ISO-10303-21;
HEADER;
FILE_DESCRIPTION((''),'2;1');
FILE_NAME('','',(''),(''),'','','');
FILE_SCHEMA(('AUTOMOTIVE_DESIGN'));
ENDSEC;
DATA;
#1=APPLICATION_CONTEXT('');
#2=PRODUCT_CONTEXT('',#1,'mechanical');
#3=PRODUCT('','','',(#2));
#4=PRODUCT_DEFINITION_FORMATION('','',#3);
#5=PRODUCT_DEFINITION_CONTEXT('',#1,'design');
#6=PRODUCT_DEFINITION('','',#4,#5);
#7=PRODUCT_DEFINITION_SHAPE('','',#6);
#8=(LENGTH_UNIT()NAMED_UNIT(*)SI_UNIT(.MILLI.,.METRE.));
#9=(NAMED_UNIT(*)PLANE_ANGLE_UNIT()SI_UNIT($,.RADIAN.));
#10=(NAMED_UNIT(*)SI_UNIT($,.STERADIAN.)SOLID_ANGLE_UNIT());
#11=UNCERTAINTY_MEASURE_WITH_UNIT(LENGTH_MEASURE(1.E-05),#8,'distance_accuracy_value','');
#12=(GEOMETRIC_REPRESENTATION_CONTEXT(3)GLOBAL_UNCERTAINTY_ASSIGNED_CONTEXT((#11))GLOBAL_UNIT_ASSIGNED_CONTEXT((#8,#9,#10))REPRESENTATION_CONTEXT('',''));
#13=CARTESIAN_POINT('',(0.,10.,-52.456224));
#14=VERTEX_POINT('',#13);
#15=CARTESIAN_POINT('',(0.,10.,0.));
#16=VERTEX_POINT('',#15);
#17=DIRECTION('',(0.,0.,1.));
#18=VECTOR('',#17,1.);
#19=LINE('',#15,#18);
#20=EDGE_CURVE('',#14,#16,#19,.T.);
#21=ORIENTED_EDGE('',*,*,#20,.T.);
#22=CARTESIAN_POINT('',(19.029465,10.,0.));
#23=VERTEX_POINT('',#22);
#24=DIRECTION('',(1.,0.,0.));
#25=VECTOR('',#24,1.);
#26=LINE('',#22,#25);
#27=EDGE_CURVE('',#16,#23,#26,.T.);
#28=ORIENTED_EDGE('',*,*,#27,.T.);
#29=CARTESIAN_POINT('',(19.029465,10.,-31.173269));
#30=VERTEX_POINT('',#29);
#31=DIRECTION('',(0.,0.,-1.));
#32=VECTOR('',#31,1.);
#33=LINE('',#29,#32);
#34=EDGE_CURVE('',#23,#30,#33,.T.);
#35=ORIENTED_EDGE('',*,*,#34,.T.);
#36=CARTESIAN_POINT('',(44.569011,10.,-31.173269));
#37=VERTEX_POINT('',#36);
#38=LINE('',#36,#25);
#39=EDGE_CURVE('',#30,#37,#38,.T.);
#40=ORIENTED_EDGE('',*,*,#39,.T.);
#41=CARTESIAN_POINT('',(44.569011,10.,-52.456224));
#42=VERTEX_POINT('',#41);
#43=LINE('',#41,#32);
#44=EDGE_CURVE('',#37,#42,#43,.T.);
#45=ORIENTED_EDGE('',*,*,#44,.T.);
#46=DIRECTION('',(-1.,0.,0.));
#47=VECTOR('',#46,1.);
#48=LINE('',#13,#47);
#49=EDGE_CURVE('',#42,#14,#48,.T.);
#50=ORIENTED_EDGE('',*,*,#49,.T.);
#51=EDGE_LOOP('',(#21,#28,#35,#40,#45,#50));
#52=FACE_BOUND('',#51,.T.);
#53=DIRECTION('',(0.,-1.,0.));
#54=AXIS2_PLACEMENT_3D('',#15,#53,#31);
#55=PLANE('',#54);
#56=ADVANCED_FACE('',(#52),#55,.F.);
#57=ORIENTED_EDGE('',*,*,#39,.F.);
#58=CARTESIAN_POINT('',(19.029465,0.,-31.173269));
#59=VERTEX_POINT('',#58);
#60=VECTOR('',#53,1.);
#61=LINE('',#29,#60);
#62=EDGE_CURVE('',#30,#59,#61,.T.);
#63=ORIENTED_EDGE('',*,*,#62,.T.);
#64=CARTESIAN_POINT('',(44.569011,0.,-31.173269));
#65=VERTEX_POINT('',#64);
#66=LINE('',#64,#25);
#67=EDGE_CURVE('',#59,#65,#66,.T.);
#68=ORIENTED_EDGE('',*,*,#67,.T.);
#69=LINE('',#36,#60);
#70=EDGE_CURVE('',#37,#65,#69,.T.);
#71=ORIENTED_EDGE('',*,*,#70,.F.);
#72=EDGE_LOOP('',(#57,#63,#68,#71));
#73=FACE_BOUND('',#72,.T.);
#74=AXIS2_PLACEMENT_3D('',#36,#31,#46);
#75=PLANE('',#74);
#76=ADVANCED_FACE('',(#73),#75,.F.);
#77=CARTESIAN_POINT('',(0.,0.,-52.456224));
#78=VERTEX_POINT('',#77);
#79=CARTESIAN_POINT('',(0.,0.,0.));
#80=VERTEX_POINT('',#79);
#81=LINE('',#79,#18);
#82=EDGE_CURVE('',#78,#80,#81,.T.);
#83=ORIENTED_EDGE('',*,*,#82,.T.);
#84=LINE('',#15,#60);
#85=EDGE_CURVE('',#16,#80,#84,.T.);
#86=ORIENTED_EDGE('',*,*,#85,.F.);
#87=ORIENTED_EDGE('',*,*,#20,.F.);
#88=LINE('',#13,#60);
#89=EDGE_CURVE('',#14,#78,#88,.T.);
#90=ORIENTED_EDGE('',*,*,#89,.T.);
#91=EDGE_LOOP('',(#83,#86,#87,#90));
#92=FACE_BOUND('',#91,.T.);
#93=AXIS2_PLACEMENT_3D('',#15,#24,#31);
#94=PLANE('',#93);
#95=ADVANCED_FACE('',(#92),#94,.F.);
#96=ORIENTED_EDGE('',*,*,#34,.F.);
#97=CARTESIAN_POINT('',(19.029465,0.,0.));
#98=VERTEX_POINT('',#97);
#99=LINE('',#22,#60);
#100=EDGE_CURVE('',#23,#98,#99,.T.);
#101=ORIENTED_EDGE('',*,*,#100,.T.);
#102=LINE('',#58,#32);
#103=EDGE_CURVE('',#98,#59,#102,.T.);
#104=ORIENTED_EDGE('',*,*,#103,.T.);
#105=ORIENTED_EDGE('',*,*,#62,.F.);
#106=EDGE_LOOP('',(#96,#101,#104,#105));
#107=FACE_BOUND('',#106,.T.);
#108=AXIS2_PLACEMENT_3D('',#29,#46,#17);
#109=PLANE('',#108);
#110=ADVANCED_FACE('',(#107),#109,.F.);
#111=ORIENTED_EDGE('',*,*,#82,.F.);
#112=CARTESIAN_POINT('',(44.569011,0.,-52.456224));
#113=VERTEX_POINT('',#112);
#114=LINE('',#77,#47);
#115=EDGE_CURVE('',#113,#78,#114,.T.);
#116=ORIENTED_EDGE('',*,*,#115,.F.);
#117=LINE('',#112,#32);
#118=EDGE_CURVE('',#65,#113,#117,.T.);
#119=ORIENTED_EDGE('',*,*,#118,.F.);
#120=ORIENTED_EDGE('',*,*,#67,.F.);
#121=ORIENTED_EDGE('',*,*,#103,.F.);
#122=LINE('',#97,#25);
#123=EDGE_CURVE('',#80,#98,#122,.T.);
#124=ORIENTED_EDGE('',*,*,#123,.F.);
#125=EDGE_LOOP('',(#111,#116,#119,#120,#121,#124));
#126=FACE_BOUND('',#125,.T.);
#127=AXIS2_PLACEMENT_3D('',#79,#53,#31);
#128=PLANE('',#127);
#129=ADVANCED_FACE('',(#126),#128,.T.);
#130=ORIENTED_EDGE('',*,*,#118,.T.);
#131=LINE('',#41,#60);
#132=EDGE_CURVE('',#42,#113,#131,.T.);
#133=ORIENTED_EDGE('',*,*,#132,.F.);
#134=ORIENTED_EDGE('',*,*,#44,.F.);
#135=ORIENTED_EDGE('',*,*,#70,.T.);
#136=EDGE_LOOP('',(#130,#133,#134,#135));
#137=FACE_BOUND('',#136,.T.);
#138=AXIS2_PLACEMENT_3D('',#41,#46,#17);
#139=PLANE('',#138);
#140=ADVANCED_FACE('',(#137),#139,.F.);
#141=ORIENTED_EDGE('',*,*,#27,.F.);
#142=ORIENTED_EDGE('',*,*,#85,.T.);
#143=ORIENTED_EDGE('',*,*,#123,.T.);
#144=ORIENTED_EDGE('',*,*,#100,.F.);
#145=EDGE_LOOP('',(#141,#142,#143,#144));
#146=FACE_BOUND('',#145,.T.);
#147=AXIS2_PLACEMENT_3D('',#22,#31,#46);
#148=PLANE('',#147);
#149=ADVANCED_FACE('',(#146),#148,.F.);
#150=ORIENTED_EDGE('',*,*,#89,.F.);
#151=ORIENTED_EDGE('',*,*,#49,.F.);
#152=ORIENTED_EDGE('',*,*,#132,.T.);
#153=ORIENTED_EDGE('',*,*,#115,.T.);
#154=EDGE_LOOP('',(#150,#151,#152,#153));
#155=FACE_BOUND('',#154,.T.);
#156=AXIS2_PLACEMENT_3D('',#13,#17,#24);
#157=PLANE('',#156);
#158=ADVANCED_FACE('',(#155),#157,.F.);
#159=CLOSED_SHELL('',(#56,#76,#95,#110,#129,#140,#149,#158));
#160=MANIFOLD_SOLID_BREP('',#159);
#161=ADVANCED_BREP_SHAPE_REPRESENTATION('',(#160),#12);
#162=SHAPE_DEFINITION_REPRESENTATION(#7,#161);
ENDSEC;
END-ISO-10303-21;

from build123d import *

# Parameters (mm, degrees)
BOSS_EXTRUDE1_DEPTH = 10


with BuildPart() as part:
    # Sketch1 → Boss-Extrude1 (new body)
    with BuildSketch(Plane(origin=(0, 0, 0), x_dir=(1, 0, 0), z_dir=(0, 1, 0))):
        Polygon((0, 0), (0, 52.456223719), (44.569011084, 52.456223719), (44.569011084, 31.173268988), (19.029465407, 31.173268988), (19.029465407, 0), align=None)
    extrude(amount=BOSS_EXTRUDE1_DEPTH)


solid = part.part
